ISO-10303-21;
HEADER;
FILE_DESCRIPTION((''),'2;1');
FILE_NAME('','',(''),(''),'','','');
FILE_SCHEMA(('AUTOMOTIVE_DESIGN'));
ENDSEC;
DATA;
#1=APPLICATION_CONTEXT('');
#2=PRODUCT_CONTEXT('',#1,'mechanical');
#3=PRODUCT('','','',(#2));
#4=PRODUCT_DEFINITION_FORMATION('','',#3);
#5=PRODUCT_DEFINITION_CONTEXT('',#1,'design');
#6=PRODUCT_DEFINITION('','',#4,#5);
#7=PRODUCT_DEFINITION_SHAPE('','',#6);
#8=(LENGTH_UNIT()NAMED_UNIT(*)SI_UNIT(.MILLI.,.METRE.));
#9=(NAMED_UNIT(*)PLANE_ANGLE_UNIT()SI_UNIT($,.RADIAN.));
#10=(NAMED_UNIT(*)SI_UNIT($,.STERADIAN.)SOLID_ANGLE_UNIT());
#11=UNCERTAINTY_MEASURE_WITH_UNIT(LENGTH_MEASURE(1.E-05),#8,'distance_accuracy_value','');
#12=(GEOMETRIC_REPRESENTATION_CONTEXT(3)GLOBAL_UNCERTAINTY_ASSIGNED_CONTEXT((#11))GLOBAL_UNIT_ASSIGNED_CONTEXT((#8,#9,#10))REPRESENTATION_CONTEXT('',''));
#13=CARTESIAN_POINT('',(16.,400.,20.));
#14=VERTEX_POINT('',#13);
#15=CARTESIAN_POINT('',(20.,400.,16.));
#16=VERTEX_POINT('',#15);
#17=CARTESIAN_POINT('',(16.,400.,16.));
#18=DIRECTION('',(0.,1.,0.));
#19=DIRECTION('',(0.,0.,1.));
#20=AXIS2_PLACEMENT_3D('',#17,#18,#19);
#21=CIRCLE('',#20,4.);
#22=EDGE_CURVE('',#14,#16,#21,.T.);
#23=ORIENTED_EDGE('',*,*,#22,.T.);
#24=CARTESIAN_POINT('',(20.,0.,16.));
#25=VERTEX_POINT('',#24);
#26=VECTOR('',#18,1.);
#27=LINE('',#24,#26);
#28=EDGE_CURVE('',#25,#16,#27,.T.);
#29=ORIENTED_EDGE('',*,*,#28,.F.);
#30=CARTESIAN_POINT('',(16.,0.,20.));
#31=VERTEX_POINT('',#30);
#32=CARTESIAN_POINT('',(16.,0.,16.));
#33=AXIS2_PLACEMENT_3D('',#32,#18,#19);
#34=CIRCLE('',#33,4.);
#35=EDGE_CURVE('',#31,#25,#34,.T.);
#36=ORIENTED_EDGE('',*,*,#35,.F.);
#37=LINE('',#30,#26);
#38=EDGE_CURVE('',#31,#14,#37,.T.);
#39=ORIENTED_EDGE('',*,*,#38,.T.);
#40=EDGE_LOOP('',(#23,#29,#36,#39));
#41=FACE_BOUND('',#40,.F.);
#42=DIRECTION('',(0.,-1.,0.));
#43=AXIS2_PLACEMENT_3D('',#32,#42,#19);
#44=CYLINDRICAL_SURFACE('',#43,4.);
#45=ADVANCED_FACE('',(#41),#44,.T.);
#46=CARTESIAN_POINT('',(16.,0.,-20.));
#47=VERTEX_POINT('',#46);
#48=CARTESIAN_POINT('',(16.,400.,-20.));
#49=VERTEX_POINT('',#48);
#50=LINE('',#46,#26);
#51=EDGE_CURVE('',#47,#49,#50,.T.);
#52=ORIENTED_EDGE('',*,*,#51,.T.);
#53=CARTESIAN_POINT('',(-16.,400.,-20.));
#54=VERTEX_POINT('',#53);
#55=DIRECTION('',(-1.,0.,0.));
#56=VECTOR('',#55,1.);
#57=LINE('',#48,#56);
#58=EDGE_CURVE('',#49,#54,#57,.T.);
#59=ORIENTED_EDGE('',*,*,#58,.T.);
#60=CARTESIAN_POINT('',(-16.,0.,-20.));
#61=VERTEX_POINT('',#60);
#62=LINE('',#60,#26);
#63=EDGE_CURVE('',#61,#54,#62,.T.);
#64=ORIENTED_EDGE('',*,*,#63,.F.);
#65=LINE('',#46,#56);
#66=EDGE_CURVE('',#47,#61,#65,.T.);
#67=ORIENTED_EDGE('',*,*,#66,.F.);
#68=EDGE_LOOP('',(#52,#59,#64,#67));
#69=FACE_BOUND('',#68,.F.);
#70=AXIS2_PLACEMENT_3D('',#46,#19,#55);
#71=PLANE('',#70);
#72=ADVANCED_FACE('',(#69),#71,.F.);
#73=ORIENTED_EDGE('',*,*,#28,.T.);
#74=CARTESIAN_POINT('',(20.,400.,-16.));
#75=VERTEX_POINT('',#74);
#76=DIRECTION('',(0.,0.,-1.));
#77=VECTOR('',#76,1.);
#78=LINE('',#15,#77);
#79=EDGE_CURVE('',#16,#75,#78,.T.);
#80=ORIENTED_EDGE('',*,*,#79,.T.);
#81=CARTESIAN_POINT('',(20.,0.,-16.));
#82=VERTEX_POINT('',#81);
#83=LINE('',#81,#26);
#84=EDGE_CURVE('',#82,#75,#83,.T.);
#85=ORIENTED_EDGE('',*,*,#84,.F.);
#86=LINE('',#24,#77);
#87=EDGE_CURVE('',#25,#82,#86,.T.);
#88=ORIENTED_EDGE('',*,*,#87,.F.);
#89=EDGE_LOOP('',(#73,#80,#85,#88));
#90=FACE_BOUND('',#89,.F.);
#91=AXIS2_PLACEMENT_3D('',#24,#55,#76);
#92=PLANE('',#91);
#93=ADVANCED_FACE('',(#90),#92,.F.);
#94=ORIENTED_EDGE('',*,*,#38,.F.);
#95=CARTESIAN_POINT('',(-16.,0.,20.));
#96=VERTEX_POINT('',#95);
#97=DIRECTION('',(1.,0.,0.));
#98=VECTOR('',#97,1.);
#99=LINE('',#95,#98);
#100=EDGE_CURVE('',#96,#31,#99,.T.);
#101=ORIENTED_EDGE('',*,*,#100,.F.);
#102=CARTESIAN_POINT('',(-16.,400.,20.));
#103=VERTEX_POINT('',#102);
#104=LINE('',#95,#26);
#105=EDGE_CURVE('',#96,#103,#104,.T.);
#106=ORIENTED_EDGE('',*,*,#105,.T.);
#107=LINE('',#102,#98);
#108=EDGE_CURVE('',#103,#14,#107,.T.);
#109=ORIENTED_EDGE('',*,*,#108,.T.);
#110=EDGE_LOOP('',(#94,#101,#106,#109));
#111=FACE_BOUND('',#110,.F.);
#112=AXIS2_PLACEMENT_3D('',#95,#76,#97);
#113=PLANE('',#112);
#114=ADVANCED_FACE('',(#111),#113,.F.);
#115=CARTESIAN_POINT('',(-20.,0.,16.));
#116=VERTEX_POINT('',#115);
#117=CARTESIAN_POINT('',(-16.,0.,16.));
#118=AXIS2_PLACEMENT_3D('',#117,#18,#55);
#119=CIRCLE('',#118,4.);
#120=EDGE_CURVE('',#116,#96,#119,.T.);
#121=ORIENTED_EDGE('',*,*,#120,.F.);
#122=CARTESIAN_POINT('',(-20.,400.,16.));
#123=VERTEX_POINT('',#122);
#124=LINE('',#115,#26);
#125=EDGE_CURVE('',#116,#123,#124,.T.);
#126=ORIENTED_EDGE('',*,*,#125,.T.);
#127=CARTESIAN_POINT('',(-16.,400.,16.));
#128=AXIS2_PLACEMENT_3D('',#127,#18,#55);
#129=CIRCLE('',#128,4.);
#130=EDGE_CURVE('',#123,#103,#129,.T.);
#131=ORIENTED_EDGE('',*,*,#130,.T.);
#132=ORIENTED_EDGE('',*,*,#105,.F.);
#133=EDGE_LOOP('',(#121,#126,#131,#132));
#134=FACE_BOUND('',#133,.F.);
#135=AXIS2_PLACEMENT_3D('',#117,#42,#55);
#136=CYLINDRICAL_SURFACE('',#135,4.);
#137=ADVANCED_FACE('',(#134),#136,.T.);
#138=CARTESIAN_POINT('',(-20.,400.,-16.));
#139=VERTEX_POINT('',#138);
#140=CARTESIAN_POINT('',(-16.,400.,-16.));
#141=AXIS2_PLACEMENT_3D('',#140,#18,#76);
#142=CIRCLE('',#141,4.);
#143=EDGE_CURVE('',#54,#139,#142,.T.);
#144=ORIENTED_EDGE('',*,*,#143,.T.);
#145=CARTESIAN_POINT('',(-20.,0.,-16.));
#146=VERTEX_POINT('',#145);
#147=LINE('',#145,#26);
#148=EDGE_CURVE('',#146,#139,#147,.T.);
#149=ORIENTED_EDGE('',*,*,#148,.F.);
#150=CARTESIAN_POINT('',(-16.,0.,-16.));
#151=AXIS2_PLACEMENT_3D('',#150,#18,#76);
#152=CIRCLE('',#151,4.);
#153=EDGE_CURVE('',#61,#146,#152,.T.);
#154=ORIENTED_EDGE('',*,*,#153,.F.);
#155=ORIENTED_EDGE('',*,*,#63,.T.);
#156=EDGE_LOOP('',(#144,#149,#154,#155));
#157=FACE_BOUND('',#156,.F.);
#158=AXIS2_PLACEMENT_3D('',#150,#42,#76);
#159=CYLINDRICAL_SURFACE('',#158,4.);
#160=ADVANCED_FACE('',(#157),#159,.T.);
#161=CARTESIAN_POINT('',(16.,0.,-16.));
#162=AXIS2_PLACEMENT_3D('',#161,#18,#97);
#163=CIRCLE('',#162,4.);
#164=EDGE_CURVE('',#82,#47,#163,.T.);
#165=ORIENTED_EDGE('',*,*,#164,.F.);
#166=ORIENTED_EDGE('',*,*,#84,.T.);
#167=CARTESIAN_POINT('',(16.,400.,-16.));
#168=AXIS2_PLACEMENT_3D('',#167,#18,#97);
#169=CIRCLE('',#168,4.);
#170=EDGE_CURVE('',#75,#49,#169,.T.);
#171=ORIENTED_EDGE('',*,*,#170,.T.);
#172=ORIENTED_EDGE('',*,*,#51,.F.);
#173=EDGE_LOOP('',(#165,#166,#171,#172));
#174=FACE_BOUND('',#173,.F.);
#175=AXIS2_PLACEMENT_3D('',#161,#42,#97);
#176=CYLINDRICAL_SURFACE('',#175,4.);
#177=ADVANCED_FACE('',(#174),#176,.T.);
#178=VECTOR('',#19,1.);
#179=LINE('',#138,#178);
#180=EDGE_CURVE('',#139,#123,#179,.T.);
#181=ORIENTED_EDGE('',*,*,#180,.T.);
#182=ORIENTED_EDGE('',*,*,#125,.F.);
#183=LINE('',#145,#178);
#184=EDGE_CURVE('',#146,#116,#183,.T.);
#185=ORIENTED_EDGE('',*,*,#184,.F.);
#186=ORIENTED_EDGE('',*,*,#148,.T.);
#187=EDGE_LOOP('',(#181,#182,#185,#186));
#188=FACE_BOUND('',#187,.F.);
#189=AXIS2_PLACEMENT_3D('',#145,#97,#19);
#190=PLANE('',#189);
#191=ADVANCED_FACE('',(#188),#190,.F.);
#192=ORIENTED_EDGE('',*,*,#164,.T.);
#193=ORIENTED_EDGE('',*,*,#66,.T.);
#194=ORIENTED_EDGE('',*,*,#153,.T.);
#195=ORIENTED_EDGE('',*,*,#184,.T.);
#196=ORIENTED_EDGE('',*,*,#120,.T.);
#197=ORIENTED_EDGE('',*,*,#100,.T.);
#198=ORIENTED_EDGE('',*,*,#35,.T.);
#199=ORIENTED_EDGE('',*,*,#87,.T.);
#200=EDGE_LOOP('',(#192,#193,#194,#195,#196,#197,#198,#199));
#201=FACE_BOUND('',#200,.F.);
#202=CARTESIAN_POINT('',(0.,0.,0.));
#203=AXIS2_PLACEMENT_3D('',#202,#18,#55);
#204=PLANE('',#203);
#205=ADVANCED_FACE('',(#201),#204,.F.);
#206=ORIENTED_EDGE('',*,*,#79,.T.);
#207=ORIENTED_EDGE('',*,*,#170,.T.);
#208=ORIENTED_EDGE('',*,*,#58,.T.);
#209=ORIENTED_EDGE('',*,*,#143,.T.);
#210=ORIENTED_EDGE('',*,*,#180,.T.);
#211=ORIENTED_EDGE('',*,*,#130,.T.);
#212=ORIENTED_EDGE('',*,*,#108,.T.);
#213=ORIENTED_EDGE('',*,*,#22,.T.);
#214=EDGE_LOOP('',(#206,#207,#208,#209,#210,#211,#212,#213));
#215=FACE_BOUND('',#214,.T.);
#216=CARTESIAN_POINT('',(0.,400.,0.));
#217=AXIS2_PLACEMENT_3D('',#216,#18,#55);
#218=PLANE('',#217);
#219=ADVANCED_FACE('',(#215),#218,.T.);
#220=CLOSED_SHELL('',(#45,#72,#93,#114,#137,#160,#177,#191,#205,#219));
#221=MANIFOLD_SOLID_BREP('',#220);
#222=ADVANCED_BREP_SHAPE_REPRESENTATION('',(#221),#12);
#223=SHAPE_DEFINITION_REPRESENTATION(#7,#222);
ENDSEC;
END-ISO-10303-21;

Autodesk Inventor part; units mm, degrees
ref_plane "YZ Plane" through (0, 0, 0) normal (1, 0, 0) x (0, 1, 0)
ref_plane "XZ Plane" through (0, 0, 0) normal (0, 1, 0) x (-1, 0, 0)
ref_plane "XY Plane" through (0, 0, 0) normal (0, 0, 1) x (1, 0, 0)
sketch "Sketch1" plane through (0, 0, 0) normal (0, 1, 0) x (-1, 0, 0)
  line L0 (0, 12.4728) -> (0, -12.4728) construction
  line L1 (2.135, 0) -> (-2.135, 0) construction
  line L2 (16, 20) -> (-16, 20)
  line L3 (-20, 16) -> (-20, -16)
  line L4 (-16, -20) -> (16, -20)
  line L5 (20, -16) -> (20, 16)
  arc A0 (-16, 20) -> (-20, 16) centre (-16, 16) ccw
  arc A1 (-20, -16) -> (-16, -20) centre (-16, -16) ccw
  arc A2 (16, -20) -> (20, -16) centre (16, -16) ccw
  arc A3 (20, 16) -> (16, 20) centre (16, 16) ccw
  point P0 (0, 0)
  point P1 (0, 0)
  dimension "d1" = 4
  dimension "d2" = 4
  dimension "d3" = 40
extrude "Extrusion1" add sketch "Sketch1" along normal blind 400
properties part number "item40x40_1000"
